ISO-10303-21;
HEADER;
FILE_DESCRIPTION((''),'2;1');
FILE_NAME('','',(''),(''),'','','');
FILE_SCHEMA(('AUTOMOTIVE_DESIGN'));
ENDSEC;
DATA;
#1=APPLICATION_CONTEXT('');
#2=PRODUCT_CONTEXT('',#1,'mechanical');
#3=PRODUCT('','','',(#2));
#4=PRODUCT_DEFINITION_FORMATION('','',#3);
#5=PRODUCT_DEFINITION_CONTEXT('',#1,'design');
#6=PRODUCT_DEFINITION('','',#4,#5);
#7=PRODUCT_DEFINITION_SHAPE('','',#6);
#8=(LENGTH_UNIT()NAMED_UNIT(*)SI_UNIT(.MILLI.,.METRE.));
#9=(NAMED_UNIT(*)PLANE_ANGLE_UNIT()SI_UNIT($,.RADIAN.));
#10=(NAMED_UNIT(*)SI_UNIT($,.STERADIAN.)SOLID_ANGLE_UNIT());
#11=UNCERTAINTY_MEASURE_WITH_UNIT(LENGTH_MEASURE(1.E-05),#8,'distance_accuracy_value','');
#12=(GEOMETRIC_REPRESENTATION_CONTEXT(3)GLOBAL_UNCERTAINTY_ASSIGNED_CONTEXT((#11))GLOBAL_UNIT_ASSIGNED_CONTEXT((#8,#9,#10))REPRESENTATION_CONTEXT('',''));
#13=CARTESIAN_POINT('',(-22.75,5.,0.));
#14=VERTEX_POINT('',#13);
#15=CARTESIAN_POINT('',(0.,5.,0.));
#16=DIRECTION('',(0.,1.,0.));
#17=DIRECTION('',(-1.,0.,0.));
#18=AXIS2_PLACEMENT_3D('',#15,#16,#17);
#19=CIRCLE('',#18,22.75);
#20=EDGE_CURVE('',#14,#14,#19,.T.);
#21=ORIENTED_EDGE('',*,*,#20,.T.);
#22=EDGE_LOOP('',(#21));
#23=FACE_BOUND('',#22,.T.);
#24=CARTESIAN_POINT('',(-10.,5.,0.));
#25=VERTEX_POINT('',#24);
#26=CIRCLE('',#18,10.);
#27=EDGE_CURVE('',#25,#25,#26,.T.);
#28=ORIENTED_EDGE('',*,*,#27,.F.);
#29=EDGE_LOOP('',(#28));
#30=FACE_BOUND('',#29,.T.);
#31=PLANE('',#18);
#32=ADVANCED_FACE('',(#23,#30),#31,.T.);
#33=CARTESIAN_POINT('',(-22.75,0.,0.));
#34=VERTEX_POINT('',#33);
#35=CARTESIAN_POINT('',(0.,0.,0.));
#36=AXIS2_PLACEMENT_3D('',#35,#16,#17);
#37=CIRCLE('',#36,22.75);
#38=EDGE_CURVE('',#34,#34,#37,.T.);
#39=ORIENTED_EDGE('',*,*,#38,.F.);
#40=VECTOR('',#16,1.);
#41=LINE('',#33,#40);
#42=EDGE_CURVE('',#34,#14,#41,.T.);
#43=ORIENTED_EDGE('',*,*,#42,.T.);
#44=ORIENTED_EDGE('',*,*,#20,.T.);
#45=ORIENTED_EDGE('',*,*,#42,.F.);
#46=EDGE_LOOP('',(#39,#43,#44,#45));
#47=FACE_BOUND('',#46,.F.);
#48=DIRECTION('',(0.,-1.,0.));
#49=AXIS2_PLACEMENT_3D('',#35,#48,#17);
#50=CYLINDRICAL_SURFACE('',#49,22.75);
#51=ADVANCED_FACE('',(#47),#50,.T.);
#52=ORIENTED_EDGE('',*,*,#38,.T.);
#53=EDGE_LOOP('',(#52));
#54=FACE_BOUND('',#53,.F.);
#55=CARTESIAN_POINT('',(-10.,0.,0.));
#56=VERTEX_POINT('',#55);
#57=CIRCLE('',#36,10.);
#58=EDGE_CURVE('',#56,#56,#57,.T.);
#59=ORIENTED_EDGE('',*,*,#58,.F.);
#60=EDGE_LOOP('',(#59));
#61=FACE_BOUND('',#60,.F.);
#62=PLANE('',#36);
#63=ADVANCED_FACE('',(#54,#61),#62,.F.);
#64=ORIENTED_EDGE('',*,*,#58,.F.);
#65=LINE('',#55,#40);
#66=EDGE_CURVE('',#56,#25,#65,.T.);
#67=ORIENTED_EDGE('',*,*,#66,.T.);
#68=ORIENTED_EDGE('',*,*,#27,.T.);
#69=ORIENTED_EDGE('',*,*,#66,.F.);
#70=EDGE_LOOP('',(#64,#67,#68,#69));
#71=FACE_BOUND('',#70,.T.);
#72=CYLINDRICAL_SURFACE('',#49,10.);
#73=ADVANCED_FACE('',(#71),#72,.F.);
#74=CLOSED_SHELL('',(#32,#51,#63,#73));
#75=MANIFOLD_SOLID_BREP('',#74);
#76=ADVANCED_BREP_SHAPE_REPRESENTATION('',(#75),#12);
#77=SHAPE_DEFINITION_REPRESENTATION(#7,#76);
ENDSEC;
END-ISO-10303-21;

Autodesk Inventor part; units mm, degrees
ref_plane "YZ Plane" through (0, 0, 0) normal (1, 0, 0) x (0, 1, 0)
ref_plane "XZ Plane" through (0, 0, 0) normal (0, 1, 0) x (-1, 0, 0)
ref_plane "XY Plane" through (0, 0, 0) normal (0, 0, 1) x (1, 0, 0)
sketch "Sketch1" plane through (0, 0, 0) normal (0, 1, 0) x (-1, 0, 0)
  circle A0 centre (0, 0) radius 22.75
  circle A1 centre (0, 0) radius 10
  dimension "d0" = 45.5
  dimension "d1" = 20
extrude "Extrusion1" add sketch "Sketch1" along normal blind 5
